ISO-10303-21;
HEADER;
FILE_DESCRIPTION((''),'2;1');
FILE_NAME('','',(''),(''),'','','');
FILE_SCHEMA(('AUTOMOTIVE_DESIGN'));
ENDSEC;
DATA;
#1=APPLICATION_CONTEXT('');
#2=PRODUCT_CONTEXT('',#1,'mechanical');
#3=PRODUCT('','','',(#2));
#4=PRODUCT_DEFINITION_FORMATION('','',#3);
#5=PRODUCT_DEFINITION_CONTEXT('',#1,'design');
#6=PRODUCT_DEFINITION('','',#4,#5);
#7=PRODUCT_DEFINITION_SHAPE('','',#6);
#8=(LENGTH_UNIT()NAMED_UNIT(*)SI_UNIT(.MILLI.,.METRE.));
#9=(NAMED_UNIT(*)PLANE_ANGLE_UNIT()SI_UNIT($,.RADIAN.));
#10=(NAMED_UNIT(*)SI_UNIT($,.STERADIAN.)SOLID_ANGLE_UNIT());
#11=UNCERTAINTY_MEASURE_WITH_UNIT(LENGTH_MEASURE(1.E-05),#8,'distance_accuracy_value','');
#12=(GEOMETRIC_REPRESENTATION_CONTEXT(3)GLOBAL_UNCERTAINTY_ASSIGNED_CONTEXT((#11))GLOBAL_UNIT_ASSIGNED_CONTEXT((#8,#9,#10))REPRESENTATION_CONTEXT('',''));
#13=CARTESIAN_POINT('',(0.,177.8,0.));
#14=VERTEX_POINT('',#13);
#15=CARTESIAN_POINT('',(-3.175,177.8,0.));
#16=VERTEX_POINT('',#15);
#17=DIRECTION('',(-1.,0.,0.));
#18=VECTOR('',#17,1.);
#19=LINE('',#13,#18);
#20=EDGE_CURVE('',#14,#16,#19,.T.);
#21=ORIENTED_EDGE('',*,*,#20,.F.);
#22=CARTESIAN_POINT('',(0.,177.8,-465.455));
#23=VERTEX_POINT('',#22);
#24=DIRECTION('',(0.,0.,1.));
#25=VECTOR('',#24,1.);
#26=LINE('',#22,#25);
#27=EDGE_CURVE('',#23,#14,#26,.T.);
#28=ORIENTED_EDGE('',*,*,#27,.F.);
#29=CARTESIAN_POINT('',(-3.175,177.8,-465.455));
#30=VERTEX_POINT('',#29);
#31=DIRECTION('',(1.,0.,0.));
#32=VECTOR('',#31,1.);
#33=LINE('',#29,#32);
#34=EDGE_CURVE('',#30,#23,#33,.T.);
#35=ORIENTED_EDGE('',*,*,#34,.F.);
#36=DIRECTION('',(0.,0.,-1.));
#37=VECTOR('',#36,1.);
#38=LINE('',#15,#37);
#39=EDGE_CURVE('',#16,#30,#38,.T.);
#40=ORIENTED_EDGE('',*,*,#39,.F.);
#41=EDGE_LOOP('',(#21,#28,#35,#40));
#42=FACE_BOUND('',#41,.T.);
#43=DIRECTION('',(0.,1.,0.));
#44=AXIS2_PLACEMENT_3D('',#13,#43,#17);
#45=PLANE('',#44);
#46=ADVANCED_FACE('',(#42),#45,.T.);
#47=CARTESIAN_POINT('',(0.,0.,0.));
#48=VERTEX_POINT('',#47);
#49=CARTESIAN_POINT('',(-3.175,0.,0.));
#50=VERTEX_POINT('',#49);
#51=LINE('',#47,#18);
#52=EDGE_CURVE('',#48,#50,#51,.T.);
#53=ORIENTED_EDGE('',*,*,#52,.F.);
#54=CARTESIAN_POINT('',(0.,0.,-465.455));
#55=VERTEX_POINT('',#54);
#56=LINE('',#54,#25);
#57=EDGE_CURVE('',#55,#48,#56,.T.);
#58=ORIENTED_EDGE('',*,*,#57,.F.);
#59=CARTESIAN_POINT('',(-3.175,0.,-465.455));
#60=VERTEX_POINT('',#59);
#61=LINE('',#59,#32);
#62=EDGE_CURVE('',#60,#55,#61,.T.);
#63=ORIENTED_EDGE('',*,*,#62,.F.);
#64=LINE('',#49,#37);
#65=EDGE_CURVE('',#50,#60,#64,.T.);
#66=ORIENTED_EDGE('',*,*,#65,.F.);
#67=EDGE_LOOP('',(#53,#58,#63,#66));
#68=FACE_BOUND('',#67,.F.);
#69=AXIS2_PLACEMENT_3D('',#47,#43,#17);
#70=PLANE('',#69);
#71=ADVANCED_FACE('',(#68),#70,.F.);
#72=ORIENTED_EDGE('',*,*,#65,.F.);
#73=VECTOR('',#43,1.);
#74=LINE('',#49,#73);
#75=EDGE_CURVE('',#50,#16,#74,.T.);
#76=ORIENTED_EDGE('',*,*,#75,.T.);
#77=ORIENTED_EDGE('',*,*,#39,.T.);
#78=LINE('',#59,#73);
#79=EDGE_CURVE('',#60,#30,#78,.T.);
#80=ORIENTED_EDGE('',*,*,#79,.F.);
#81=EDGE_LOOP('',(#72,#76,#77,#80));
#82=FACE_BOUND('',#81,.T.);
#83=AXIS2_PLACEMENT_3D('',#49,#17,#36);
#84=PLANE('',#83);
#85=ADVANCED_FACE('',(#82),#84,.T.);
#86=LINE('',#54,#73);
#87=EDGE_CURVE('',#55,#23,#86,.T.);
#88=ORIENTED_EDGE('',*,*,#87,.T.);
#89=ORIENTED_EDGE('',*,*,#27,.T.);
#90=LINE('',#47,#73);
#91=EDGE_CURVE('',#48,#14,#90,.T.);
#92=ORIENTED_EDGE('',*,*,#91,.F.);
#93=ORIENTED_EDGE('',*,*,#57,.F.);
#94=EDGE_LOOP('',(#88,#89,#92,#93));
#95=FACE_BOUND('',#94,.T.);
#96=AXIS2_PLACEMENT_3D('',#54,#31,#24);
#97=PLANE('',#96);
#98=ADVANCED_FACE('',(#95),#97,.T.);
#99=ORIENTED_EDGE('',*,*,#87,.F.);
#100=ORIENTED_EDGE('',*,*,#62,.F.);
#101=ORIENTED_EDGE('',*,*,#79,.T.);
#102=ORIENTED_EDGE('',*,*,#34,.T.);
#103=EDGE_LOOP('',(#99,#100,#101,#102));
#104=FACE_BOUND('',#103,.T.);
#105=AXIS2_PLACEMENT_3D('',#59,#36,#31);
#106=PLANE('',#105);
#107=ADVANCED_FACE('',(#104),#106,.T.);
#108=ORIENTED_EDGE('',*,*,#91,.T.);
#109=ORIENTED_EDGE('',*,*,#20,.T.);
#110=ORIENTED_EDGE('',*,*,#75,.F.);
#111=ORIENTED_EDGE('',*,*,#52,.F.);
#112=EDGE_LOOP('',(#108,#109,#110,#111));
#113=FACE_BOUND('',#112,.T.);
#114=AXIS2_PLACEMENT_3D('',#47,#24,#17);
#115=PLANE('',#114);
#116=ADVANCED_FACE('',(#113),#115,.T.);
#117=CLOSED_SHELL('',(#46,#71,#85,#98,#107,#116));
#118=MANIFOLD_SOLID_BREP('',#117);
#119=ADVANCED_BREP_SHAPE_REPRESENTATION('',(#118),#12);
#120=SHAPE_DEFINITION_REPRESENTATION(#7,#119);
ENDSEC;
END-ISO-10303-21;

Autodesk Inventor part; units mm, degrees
ref_plane "YZ Plane" through (0, 0, 0) normal (1, 0, 0) x (0, 1, 0)
ref_plane "XZ Plane" through (0, 0, 0) normal (0, 1, 0) x (-1, 0, 0)
ref_plane "XY Plane" through (0, 0, 0) normal (0, 0, 1) x (1, 0, 0)
sketch "Sketch1" plane through (0, 0, 0) normal (0, 1, 0) x (-1, 0, 0)
  line L0 (0, 0) -> (3.175, 0)
  line L1 (3.175, 0) -> (3.175, -465.455)
  line L2 (3.175, -465.455) -> (0, -465.455)
  line L3 (0, -465.455) -> (0, 0)
  dimension "d0" = 465.455
  dimension "d1" = 3.175
extrude "Extrusion1" add sketch "Sketch1" along normal blind 177.8
properties part number "HopperWall"
